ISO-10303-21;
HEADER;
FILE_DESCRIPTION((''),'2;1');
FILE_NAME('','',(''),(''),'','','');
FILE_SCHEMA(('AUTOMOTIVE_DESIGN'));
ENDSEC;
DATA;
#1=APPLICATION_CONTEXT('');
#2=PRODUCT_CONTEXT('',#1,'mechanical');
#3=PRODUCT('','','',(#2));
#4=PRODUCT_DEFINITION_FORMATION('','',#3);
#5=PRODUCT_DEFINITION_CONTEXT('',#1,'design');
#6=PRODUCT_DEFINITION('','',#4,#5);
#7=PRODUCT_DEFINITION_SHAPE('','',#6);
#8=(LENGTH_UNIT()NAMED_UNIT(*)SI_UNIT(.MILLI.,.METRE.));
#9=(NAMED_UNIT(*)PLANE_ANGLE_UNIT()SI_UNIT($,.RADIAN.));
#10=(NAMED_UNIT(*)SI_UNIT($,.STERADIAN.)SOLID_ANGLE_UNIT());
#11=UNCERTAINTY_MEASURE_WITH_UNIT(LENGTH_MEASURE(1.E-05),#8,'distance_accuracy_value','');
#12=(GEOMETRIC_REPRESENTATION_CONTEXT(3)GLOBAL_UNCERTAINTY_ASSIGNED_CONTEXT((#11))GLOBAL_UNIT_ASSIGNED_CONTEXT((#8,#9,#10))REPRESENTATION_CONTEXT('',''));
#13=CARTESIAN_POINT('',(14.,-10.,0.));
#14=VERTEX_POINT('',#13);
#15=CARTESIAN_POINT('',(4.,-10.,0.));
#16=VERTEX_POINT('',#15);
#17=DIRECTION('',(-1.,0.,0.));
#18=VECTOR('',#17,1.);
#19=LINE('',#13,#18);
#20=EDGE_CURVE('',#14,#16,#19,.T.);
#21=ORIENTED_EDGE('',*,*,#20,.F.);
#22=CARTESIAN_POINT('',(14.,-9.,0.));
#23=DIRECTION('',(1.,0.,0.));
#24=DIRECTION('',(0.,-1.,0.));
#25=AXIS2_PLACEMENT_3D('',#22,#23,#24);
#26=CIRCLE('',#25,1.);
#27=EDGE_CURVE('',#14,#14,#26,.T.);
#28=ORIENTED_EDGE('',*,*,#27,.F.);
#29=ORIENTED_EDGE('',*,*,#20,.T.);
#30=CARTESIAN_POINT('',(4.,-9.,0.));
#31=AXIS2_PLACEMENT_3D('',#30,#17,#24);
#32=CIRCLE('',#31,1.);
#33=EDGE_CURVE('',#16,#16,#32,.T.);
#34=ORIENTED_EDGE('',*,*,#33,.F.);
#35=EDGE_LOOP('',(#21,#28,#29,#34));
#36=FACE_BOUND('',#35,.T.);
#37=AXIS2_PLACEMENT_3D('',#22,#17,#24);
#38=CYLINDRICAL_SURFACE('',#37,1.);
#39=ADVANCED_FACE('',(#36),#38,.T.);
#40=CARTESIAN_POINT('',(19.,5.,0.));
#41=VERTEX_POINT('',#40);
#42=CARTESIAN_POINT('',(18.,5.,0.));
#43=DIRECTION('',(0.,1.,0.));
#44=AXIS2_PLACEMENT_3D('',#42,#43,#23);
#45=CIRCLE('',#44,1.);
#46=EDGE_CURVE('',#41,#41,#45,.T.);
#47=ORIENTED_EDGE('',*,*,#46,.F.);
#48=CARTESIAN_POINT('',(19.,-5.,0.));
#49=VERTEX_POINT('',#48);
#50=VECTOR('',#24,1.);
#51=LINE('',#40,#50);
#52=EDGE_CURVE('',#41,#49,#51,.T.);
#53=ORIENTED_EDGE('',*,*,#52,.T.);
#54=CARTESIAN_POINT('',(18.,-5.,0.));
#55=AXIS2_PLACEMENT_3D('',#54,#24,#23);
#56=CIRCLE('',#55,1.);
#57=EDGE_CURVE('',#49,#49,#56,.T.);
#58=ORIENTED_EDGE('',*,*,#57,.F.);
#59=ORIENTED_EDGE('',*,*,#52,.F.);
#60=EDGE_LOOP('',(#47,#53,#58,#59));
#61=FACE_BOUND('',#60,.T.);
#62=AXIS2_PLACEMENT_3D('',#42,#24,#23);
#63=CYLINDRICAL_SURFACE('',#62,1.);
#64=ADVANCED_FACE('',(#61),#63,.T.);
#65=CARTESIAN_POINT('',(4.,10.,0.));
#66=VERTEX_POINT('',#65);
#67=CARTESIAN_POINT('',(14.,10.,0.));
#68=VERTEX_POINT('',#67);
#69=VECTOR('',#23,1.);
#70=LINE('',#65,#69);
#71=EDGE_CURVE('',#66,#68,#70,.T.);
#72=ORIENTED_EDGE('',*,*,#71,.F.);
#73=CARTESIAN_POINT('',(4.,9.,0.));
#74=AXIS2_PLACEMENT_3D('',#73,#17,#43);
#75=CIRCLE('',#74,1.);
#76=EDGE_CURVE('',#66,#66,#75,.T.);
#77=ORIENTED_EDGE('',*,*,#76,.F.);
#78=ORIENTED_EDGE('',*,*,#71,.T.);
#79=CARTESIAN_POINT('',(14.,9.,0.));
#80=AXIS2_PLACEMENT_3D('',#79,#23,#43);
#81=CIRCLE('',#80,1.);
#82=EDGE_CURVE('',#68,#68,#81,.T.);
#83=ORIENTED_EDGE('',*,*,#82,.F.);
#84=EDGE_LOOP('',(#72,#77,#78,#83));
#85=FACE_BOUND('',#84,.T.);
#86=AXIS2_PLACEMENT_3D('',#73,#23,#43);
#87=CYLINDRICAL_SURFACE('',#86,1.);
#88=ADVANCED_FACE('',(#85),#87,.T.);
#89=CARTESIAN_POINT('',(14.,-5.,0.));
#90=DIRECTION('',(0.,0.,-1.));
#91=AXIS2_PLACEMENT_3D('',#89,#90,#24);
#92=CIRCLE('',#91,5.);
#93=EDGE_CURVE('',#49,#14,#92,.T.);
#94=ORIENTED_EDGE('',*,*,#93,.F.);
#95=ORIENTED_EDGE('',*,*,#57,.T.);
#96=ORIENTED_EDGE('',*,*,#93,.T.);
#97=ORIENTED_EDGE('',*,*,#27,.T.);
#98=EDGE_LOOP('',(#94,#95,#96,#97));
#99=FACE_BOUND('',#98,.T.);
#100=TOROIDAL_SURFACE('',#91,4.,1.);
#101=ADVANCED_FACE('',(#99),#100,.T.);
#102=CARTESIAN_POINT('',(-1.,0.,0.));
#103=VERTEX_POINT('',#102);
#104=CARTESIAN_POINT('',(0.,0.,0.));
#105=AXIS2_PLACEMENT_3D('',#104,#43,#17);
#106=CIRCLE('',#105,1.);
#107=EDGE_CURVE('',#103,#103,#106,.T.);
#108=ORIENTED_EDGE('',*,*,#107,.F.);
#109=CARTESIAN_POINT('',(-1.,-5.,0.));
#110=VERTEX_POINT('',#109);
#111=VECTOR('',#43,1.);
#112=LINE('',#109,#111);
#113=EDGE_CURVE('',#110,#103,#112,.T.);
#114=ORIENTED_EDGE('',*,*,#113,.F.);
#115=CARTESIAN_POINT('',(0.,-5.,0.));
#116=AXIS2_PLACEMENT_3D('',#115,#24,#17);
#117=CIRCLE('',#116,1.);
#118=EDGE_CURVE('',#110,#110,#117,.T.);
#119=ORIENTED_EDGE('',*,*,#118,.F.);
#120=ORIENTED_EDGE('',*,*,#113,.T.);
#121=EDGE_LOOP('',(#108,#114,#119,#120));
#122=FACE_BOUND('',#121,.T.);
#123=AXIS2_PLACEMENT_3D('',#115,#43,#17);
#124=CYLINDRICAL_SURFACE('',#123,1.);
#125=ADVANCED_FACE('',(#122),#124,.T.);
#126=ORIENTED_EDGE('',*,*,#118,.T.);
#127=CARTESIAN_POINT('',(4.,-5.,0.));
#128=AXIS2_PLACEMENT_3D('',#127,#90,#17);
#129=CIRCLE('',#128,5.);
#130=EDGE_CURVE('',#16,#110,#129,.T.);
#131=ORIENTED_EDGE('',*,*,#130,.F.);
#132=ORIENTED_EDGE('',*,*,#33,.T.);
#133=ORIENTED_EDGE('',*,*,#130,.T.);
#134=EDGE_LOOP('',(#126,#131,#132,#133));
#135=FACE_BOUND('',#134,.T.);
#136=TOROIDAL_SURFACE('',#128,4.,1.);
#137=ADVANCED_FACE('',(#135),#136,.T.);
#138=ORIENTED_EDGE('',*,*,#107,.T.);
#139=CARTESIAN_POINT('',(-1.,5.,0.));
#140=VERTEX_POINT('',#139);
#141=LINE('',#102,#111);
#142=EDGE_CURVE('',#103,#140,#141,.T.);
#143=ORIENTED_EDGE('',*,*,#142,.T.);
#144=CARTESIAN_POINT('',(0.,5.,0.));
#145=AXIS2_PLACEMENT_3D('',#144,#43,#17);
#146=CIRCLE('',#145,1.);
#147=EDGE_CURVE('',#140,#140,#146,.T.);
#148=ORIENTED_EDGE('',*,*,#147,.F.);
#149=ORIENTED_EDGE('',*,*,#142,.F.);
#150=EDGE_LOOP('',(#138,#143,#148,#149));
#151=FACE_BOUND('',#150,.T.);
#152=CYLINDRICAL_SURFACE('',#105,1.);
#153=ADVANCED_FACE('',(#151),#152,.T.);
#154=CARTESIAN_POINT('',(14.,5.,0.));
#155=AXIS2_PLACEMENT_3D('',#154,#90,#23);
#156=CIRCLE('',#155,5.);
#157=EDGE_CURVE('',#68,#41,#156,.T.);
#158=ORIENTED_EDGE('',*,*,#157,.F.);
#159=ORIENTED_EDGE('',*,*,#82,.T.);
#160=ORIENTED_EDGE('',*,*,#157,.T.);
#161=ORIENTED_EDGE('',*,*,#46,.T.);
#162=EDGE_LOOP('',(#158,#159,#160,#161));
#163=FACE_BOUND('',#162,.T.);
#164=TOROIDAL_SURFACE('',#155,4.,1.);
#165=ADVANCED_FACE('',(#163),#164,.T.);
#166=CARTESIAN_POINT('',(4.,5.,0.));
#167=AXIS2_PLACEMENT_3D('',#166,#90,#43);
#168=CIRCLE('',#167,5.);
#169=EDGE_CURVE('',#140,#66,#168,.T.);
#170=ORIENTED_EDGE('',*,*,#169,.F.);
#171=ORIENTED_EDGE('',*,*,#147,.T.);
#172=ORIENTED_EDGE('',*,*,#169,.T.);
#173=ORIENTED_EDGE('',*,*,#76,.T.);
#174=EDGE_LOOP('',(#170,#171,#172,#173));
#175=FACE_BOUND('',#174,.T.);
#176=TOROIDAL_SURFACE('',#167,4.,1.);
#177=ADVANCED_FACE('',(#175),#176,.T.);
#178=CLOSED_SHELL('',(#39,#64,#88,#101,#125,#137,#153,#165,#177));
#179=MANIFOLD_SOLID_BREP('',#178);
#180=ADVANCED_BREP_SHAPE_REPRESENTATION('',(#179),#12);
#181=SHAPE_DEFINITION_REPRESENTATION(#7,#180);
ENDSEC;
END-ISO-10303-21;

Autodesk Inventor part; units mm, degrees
ref_plane "YZ Plane" through (0, 0, 0) normal (1, 0, 0) x (0, 1, 0)
ref_plane "XZ Plane" through (0, 0, 0) normal (0, 1, 0) x (-1, 0, 0)
ref_plane "XY Plane" through (0, 0, 0) normal (0, 0, 1) x (1, 0, 0)
sketch "Эскиз1" plane through (0, 0, 0) normal (0, 1, 0) x (-1, 0, 0)
  circle A0 centre (0, 0) radius 1
  dimension "d0" = 2
sketch "Эскиз2" plane through (0, 0, 0) normal (0, 0, 1) x (1, 0, 0)
  line L0 (0, 0) -> (0, 5)
  line L1 (4, 9) -> (14, 9)
  line L2 (18, 5) -> (18, -5)
  line L3 (14, -9) -> (4, -9)
  line L4 (0, -5) -> (0, 0)
  arc A0 (4, 9) -> (0, 5) centre (4, 5) ccw
  arc A1 (18, 5) -> (14, 9) centre (14, 5) ccw
  arc A2 (14, -9) -> (18, -5) centre (14, -5) ccw
  arc A3 (0, -5) -> (4, -9) centre (4, -5) ccw
  point P0 (0, 9)
  point P1 (18, 9)
  point P2 (18, -9)
  point P3 (0, -9)
  dimension "d1" = 9
  dimension "d2" = 18
  dimension "d3" = 18
  dimension "d4" = 18
  dimension "d5" = 4
sweep "Сдвиг1" add profiles "Эскиз1" path "Эскиз2"
